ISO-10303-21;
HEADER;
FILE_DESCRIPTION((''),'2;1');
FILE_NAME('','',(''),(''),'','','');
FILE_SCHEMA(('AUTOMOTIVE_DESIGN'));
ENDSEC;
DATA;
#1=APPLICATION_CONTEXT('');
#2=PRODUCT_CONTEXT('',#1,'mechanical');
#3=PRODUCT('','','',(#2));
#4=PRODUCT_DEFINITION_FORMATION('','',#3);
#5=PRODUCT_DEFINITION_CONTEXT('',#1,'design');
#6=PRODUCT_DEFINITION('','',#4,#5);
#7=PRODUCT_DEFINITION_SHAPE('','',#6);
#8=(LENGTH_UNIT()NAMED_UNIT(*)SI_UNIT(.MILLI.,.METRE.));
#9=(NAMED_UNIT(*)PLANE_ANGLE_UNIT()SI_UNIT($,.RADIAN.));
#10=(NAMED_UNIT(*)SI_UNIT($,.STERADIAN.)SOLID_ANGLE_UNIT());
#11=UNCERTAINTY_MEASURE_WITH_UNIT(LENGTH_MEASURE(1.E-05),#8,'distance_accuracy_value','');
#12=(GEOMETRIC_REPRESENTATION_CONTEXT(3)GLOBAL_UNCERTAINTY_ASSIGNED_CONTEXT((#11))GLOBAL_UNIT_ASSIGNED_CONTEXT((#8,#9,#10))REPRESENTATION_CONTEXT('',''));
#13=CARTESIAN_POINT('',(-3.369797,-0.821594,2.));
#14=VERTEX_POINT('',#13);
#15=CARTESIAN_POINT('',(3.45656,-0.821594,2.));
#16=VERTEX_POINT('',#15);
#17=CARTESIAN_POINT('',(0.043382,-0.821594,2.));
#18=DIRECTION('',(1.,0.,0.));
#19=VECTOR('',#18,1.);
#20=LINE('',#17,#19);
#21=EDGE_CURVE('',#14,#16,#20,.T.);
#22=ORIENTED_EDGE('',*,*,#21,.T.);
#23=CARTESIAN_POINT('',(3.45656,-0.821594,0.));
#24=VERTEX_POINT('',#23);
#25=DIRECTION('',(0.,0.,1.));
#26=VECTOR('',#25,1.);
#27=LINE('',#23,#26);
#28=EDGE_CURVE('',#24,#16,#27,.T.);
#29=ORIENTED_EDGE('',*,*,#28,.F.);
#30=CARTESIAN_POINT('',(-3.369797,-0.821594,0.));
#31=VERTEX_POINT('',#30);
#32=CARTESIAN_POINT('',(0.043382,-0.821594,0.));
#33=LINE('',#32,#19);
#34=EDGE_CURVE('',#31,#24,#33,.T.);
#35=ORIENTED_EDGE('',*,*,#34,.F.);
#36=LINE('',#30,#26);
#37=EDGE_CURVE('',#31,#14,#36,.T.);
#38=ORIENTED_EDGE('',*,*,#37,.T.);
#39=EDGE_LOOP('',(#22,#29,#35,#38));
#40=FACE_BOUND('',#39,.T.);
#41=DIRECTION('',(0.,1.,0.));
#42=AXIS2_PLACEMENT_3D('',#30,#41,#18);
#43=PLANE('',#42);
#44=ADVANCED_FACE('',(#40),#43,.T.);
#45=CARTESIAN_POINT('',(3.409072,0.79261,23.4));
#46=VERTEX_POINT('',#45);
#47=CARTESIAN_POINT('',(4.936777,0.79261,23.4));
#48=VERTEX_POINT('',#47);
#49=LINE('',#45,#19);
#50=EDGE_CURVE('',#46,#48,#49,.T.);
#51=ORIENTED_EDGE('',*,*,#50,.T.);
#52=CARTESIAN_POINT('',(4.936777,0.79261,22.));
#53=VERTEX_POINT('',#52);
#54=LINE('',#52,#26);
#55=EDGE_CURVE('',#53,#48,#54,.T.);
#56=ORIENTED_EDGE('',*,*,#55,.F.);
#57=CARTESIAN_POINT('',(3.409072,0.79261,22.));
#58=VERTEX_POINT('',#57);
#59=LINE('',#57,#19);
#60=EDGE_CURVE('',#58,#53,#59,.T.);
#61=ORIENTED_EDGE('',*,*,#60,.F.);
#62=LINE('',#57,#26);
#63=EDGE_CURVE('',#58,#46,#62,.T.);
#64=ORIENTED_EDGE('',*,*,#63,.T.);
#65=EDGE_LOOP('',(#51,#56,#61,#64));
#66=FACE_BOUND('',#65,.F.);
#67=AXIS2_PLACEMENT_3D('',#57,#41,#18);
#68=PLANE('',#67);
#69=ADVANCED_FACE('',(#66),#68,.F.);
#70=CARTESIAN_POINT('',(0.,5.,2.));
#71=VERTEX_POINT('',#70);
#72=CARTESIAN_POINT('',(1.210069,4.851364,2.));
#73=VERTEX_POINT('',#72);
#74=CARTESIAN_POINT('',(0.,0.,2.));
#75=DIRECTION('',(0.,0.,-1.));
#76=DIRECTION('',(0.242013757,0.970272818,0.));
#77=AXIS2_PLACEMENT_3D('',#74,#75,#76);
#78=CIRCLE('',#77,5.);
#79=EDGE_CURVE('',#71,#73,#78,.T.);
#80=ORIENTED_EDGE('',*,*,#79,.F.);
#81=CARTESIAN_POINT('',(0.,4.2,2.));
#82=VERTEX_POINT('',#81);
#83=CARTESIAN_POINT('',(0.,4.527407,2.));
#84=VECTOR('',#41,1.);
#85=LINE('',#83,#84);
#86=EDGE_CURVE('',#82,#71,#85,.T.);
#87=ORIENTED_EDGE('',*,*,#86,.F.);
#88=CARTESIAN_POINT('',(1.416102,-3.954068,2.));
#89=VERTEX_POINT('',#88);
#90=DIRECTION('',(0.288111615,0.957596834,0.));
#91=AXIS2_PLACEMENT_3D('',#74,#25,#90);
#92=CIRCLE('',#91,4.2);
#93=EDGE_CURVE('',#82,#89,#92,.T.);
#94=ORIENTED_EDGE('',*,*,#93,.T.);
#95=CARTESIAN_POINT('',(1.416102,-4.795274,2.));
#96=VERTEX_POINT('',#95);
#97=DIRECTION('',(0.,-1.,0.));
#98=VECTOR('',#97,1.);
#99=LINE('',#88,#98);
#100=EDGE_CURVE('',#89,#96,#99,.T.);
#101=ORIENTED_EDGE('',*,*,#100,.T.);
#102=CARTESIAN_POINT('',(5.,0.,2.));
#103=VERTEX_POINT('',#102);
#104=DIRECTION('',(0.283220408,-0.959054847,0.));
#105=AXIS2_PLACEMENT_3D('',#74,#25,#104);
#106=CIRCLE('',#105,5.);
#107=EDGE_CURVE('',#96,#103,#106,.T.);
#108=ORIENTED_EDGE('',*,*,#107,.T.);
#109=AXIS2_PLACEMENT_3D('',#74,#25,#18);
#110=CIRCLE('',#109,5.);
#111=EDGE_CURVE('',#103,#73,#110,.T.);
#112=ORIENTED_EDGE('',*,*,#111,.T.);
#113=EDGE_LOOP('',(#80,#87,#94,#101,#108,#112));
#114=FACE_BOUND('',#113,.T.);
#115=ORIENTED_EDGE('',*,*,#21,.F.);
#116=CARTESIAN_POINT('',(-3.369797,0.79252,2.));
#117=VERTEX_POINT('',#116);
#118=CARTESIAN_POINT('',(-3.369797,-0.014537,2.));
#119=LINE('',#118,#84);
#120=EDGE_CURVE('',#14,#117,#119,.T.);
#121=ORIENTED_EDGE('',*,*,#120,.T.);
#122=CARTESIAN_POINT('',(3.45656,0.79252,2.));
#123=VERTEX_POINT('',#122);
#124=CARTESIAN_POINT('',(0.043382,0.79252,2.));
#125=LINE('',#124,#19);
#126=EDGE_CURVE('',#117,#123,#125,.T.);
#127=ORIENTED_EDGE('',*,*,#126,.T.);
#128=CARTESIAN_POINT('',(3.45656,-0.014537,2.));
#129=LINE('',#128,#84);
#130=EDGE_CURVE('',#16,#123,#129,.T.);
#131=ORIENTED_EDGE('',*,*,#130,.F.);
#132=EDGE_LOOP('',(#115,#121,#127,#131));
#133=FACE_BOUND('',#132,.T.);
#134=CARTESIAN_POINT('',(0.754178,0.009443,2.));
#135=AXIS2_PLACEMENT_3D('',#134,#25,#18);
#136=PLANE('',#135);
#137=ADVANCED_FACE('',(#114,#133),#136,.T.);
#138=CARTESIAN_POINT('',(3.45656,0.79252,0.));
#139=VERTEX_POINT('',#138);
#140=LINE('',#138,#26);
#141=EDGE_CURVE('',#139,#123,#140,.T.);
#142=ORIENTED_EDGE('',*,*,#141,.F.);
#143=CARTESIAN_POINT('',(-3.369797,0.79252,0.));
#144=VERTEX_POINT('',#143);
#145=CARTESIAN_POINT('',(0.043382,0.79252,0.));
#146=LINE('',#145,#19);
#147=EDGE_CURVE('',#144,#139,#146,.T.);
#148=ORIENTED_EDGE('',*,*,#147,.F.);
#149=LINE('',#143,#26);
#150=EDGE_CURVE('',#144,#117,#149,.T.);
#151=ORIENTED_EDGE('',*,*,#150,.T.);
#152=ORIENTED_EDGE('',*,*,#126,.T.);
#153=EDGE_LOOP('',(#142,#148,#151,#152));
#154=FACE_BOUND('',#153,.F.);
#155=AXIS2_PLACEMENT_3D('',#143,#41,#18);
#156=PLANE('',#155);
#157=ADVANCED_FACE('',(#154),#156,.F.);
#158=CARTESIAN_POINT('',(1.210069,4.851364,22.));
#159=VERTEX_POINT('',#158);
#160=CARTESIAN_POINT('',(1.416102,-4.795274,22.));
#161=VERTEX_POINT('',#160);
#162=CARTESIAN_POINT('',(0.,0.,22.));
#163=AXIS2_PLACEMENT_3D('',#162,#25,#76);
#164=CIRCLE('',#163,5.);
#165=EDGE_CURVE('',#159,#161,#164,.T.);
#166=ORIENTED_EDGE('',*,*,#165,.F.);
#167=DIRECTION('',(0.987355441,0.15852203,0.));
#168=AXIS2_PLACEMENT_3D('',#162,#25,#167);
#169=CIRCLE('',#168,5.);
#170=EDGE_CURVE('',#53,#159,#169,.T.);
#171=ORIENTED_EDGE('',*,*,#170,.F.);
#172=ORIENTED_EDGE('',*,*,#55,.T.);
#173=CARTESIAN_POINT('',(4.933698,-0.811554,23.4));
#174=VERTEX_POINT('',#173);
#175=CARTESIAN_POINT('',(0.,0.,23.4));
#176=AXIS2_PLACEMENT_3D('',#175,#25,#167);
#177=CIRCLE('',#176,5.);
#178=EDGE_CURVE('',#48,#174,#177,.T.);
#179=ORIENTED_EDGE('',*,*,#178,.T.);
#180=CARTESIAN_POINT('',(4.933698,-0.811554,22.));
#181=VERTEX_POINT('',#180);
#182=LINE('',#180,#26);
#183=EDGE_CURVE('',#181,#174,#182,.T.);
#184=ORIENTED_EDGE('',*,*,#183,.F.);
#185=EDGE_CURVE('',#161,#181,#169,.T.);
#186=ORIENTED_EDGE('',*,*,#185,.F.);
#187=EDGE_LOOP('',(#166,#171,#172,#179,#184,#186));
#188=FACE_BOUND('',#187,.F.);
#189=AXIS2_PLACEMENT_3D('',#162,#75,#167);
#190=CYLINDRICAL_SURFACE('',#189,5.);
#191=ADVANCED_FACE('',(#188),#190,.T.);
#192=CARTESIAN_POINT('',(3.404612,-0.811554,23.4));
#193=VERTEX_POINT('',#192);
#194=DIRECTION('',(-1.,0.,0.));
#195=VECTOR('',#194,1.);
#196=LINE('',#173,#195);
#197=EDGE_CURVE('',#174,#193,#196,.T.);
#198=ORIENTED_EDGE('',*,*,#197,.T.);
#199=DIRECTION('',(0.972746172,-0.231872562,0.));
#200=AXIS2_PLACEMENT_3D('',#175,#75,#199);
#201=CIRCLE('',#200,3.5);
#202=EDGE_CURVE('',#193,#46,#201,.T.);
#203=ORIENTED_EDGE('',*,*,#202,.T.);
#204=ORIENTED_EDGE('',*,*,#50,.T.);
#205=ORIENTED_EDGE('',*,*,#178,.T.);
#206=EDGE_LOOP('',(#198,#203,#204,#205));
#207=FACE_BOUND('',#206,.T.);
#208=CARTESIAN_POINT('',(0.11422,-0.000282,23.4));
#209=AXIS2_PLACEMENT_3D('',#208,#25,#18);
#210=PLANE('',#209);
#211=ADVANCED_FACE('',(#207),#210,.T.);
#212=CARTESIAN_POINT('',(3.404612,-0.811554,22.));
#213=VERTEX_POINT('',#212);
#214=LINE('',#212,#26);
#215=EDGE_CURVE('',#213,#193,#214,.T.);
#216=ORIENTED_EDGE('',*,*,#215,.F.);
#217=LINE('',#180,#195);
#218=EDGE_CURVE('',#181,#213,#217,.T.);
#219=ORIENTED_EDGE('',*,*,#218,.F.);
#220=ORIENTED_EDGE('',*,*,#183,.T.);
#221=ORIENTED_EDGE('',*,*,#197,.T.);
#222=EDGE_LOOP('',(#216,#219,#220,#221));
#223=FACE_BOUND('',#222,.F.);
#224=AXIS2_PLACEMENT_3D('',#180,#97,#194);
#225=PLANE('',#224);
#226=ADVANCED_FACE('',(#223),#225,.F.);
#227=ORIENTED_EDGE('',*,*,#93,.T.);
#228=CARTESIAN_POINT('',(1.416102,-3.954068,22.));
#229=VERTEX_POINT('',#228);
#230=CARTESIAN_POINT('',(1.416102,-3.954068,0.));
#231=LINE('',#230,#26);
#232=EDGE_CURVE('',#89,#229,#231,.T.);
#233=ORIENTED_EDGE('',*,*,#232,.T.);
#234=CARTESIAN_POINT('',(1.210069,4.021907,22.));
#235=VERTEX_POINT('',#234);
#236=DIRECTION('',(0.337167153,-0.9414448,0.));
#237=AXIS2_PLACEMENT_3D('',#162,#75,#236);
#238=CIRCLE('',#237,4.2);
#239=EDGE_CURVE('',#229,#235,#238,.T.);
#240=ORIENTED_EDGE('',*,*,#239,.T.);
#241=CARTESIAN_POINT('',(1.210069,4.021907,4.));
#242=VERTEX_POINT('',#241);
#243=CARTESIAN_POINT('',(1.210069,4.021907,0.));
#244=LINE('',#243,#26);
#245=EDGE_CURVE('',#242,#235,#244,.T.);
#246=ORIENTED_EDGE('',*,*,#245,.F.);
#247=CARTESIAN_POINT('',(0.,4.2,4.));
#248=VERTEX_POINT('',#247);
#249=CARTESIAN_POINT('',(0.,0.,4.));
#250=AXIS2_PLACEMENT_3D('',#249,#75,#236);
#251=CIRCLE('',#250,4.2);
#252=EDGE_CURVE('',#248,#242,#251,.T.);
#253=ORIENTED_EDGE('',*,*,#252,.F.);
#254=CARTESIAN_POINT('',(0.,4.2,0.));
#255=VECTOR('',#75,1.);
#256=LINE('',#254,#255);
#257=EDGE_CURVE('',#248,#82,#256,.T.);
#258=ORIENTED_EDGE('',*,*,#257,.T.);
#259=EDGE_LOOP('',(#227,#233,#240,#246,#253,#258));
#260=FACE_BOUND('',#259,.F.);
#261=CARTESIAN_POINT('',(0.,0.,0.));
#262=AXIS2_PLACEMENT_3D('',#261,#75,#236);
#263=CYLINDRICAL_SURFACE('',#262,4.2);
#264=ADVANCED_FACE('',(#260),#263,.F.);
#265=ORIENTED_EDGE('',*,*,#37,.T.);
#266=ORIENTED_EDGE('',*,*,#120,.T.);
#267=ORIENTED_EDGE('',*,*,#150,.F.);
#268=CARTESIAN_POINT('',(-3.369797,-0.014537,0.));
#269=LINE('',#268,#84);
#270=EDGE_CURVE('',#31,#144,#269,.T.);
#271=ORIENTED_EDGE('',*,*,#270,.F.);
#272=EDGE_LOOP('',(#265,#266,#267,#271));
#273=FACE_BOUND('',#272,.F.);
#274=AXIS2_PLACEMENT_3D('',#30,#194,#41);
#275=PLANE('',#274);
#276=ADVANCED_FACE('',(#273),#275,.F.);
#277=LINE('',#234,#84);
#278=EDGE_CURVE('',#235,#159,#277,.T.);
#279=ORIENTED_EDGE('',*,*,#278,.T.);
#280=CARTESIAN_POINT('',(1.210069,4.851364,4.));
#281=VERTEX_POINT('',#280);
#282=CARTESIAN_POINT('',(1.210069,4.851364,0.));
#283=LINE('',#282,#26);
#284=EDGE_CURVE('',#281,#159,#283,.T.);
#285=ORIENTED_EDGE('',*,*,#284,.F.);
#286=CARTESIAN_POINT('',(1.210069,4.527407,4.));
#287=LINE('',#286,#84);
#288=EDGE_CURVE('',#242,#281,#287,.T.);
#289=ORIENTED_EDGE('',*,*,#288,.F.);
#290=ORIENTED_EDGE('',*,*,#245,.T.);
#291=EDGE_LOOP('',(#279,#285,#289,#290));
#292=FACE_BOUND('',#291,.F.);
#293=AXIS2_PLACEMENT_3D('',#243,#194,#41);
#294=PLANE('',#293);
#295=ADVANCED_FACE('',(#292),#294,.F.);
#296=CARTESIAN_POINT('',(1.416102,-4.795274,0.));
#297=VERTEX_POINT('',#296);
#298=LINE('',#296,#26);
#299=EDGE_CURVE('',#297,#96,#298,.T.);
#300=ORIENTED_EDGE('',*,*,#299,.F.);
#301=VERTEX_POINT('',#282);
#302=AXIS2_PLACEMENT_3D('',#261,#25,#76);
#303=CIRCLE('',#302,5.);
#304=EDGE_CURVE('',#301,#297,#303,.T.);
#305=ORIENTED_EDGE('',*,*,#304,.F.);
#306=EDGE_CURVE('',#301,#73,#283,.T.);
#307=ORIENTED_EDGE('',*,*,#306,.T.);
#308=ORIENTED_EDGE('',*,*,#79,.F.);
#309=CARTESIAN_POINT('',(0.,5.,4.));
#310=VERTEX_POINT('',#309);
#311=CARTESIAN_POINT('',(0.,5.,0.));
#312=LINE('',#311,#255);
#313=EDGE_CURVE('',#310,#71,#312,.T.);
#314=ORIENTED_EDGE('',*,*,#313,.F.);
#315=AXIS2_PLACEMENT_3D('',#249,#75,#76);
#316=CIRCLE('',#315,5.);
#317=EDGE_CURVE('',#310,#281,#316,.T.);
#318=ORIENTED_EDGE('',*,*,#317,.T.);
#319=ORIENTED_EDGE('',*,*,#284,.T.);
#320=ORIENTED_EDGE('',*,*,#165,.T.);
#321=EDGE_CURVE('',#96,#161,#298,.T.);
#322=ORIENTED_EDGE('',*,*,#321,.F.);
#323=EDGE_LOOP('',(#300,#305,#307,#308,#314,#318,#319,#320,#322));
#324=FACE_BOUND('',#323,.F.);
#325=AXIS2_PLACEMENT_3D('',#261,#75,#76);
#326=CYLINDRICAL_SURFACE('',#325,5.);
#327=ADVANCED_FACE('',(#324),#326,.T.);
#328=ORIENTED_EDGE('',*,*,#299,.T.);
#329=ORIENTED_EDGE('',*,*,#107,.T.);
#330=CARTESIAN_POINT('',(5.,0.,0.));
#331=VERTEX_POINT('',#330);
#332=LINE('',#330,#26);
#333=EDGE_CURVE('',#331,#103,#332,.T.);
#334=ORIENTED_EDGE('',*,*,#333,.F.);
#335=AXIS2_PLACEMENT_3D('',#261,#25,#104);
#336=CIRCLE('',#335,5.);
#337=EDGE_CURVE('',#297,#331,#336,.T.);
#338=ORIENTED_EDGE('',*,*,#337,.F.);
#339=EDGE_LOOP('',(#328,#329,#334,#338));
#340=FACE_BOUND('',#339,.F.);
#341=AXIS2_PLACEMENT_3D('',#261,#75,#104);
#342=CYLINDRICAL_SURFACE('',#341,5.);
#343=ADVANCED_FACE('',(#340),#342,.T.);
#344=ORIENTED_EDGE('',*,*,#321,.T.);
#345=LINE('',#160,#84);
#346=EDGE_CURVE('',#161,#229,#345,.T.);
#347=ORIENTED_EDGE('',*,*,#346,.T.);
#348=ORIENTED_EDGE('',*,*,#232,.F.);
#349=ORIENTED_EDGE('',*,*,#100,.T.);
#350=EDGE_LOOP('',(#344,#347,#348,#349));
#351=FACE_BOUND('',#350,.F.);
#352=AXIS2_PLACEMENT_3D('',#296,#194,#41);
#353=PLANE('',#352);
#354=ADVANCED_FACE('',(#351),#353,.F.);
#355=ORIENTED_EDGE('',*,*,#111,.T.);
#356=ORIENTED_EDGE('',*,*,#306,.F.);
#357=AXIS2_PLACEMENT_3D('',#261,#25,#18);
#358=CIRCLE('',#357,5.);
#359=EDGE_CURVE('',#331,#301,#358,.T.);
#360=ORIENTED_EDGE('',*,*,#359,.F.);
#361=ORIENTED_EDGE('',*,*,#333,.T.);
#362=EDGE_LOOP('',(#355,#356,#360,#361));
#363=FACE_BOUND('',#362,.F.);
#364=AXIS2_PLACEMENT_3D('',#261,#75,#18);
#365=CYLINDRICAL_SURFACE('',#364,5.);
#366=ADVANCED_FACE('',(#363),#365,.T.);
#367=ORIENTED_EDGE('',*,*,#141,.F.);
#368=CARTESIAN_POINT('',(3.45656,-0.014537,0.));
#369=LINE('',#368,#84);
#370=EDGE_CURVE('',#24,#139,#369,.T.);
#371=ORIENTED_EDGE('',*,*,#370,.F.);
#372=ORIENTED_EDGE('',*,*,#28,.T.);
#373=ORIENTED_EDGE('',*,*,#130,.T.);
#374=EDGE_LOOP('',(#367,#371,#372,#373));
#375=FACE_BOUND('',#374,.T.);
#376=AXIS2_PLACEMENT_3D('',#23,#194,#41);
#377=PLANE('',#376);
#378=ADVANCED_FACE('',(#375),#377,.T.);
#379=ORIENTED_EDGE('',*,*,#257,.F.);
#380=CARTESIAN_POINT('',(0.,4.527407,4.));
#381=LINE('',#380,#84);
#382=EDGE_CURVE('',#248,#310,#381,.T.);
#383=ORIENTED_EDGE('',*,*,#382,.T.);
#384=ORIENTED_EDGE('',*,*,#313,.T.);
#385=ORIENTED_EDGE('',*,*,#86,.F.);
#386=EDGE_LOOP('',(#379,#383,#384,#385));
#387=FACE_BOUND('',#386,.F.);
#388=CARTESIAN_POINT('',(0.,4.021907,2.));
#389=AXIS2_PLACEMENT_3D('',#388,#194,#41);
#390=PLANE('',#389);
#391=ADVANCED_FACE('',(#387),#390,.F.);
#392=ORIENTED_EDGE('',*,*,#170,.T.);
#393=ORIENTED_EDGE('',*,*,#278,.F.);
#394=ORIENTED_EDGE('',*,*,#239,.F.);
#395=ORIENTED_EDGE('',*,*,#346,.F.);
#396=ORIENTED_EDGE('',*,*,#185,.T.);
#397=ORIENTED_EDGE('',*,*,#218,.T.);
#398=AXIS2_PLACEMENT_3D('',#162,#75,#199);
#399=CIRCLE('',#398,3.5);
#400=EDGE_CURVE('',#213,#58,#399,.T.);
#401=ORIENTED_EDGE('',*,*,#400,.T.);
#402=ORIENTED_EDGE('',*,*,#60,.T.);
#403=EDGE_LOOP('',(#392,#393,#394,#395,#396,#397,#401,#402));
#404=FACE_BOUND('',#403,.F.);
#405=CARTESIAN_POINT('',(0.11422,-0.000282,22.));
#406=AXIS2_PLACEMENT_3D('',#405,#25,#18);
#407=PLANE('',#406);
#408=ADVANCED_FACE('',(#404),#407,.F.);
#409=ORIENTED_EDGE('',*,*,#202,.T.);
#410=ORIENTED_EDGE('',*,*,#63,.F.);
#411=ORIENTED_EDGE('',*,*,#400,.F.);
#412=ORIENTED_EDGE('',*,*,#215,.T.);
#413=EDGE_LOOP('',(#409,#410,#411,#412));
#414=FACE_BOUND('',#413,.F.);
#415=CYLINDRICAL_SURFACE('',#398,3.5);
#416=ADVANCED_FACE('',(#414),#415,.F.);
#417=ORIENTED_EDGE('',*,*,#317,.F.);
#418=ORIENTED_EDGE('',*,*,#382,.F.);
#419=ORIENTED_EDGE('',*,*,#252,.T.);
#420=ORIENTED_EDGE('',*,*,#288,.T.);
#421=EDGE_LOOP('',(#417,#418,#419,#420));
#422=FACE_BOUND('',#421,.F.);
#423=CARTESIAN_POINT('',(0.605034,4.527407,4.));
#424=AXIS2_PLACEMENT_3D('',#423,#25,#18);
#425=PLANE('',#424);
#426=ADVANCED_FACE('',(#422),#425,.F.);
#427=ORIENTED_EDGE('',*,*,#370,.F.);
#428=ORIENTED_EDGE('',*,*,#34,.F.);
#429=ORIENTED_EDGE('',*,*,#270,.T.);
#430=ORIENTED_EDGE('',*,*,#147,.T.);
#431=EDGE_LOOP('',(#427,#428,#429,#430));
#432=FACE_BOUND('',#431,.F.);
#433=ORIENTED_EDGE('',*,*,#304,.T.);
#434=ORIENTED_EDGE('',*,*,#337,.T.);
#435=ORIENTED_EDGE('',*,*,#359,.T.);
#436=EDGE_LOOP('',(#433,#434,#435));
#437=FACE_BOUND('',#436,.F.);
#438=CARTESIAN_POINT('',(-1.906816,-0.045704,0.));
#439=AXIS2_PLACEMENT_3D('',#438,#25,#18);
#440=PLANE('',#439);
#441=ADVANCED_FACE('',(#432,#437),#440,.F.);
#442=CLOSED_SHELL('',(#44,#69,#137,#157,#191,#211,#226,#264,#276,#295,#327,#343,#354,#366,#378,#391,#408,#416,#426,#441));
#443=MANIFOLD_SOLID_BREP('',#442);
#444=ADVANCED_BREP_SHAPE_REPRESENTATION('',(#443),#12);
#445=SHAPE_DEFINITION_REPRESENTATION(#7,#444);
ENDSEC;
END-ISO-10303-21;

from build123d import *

# Parameters (mm, degrees)
F0_W     = 6.8263569847
F0_H     = 1.6141139204
F1_DEPTH = 2
F2_DEPTH = 22
F4_DEPTH = 1.4
F5_W     = 1.2100687839
F5_H     = 1.0110005358
F6_DEPTH = 2


with BuildPart() as f1:
    # F0 (on Top) → F1 (new body)
    with BuildSketch(Plane.XY):
        with BuildLine():
            ThreePointArc((1.4161020408, -4.7952742372), (4.0050287267, -2.9932832973), (5, 0))
            ThreePointArc((5, 0), (3.9401994822, 3.0781208619), (1.2100687839, 4.8513640905))
            Line((1.2100687839, 4.8513640905), (1.2100687839, 4.0219067043))
            ThreePointArc((1.2100687839, 4.0219067043), (-4.1985994161, -0.1084571011), (1.4161020408, -3.9540681595))
            Line((1.4161020408, -3.9540681595), (1.4161020408, -4.7952742372))
        make_face()
        with Locations((0.043381704, -0.0145365484)):
            Rectangle(F0_W, F0_H, mode=Mode.SUBTRACT)
    extrude(amount=F1_DEPTH)

    # F0 (on Top) → F2 (join)
    with BuildSketch(Plane.XY):
        with BuildLine():
            Line((1.2100687839, 4.0219067043), (1.2100687839, 4.8513640905))
            ThreePointArc((1.2100687839, 4.8513640905), (-4.9988599757, -0.1067658356), (1.4161020408, -4.7952742372))
            Line((1.4161020408, -4.7952742372), (1.4161020408, -3.9540681595))
            ThreePointArc((1.4161020408, -3.9540681595), (-4.1985994161, -0.1084571011), (1.2100687839, 4.0219067043))
        make_face()
    extrude(amount=F2_DEPTH)

    # F3 (on face) → F4 (join)
    with BuildSketch(Plane.XY.offset(22)):
        with BuildLine():
            ThreePointArc((3.4046116017, -0.8115539672), (-3.4999864728, 0.0097308767), (3.409071597, 0.792610148))
            Line((3.409071597, 0.792610148), (4.9367772031, 0.792610148))
            ThreePointArc((4.9367772031, 0.792610148), (-4.9999907913, 0.0095961861), (4.933698426, -0.8115539672))
            Line((4.933698426, -0.8115539672), (3.4046116017, -0.8115539672))
        make_face()
    extrude(amount=F4_DEPTH)

    # F5 (on face) → F6 (cut)
    with BuildSketch(Plane.XY.offset(2)):
        with Locations((0.6050343919, 4.5274069722)):
            Rectangle(F5_W, F5_H)
    extrude(amount=F6_DEPTH, mode=Mode.SUBTRACT)


solid = f1.part
